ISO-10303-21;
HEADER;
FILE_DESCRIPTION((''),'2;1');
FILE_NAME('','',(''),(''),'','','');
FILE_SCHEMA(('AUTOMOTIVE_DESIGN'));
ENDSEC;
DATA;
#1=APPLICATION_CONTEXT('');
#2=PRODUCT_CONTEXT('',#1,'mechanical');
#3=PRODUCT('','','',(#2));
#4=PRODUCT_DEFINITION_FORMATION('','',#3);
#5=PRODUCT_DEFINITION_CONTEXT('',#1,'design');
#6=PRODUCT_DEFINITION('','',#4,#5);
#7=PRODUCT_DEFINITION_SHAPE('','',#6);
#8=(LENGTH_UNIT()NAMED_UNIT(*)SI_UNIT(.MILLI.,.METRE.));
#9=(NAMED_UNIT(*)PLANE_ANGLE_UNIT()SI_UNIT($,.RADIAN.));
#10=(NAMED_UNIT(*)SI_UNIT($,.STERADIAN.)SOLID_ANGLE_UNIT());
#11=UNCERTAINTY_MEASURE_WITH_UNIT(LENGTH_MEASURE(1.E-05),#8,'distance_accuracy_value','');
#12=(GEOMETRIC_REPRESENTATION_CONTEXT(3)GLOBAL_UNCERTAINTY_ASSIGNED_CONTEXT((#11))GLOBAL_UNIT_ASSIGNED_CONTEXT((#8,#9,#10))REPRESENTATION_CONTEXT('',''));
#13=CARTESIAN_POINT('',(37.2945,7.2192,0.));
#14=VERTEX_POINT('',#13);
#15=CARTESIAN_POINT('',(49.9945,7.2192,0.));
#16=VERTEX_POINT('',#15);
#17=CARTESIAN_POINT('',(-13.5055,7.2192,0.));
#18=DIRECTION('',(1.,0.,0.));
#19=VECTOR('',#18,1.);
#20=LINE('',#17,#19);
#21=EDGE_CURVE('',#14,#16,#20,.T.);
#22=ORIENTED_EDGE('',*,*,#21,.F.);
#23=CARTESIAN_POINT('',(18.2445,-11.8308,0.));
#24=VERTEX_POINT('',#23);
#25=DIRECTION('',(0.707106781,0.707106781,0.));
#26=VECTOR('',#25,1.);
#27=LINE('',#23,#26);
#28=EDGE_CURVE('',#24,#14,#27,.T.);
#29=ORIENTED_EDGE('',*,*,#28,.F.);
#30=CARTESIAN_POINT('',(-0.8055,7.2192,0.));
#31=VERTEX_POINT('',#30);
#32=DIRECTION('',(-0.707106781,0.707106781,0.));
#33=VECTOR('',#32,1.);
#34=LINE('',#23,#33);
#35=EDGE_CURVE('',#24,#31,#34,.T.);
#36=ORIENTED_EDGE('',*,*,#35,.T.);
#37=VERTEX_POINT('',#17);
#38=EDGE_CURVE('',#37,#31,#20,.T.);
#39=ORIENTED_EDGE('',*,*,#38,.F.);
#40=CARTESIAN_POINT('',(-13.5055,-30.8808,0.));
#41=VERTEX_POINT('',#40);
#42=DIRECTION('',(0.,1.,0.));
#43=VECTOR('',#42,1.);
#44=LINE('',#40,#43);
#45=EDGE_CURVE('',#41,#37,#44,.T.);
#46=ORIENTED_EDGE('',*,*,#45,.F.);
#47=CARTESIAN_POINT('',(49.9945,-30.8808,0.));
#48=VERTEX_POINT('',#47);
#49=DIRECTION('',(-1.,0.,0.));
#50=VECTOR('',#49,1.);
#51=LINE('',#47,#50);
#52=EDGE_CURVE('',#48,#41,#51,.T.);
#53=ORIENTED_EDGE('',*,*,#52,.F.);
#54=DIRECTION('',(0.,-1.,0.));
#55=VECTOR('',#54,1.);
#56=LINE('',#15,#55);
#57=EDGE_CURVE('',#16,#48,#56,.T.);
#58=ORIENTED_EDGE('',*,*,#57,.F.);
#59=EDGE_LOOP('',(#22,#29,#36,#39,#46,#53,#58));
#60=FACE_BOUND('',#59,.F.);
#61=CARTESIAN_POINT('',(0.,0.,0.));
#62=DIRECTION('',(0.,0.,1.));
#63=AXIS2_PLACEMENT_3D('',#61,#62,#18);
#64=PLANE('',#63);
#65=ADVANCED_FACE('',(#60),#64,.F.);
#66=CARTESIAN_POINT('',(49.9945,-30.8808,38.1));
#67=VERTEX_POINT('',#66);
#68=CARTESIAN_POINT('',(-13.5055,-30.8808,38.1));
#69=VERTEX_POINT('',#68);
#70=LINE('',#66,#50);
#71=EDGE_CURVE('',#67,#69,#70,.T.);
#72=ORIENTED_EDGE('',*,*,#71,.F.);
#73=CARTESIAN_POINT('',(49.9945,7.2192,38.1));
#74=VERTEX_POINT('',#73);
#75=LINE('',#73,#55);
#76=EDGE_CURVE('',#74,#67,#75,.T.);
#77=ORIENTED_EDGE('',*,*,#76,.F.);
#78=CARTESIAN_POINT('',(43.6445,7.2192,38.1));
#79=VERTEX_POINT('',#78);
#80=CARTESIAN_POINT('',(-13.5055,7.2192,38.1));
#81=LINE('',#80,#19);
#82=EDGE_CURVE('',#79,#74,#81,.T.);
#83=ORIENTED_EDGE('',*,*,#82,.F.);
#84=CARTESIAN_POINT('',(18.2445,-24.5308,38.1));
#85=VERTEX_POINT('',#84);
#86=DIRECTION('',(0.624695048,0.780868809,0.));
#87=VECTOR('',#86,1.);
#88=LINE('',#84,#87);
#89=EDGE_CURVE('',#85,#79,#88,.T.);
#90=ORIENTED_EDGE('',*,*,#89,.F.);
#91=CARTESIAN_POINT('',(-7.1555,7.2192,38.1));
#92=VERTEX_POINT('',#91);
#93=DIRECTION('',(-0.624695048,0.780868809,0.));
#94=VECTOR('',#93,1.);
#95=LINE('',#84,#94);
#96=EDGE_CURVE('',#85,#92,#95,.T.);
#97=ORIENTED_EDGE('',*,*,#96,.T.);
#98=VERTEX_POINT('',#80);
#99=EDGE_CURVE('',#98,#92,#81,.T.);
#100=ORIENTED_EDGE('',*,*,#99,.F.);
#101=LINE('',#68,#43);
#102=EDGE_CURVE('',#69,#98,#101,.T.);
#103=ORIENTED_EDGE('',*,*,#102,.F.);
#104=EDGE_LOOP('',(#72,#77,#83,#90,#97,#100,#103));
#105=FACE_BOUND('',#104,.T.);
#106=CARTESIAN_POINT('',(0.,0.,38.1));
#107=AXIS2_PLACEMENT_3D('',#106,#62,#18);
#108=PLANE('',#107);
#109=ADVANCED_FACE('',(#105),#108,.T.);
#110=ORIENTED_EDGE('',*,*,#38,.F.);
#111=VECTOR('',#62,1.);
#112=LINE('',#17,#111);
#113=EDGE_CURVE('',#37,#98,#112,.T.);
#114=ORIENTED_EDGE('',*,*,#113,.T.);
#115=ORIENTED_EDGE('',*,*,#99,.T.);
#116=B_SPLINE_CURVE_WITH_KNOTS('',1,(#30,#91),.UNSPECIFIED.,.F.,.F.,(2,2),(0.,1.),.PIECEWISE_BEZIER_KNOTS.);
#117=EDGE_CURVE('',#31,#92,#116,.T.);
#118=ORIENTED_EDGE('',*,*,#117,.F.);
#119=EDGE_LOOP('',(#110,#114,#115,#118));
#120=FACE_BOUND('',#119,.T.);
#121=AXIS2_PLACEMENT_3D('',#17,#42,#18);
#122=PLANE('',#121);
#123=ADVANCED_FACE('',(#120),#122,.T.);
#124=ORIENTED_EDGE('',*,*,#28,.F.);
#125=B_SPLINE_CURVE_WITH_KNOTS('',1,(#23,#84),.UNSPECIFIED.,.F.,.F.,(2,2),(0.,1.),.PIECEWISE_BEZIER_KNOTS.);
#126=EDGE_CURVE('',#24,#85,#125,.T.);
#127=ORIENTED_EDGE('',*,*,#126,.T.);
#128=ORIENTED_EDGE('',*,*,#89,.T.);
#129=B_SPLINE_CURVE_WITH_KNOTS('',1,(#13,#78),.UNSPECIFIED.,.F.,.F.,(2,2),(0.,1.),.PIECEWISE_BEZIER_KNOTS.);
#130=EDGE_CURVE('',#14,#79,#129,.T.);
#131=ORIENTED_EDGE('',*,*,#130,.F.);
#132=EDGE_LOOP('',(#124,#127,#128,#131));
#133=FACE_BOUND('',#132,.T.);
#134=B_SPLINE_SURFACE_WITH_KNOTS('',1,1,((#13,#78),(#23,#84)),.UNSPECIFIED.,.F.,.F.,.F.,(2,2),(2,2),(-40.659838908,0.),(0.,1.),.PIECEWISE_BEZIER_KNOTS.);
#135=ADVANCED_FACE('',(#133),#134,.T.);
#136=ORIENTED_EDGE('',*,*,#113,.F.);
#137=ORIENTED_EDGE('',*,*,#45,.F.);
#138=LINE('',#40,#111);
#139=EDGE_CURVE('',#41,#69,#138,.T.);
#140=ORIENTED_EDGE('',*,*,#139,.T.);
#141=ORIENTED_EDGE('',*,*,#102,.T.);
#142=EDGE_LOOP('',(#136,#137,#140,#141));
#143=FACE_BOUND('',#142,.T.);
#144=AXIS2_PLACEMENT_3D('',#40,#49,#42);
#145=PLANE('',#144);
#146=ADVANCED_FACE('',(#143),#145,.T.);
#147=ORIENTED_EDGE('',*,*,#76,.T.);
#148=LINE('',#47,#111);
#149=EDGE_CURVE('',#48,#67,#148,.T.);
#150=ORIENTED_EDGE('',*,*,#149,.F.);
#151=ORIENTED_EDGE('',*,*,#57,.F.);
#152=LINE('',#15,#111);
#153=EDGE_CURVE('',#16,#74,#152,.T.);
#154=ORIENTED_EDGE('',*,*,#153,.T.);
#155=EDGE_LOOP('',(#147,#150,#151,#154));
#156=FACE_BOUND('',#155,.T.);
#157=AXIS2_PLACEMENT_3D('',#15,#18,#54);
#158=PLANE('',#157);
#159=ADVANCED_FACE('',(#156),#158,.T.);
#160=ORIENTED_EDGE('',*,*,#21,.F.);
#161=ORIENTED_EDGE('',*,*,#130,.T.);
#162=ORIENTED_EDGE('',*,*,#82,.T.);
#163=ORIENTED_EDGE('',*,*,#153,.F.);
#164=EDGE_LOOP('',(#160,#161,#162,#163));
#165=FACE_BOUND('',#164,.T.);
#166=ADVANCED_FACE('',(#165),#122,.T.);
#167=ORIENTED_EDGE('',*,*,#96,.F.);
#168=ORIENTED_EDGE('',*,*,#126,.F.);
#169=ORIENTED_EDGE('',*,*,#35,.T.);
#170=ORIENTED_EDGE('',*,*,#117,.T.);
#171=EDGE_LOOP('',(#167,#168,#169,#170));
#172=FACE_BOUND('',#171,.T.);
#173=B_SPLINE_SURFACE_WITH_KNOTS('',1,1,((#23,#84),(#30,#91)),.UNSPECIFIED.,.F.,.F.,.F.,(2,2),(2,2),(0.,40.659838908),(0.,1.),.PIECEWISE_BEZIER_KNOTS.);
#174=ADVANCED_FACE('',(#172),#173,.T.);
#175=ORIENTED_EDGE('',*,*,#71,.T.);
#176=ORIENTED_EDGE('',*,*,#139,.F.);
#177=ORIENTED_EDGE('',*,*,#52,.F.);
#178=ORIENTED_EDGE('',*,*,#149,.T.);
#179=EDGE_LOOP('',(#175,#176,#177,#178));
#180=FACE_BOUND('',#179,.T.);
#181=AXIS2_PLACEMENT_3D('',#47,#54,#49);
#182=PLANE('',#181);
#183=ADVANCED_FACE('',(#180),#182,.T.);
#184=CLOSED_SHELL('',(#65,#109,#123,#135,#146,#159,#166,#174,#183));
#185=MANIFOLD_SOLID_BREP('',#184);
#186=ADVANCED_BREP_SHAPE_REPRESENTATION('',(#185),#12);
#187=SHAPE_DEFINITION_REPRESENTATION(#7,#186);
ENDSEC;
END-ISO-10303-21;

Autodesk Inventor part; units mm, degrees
ref_plane "YZ Plane" through (0, 0, 0) normal (1, 0, 0) x (0, 1, 0)
ref_plane "XZ Plane" through (0, 0, 0) normal (0, 1, 0) x (-1, 0, 0)
ref_plane "XY Plane" through (0, 0, 0) normal (0, 0, 1) x (1, 0, 0)
sketch "Sketch1" plane through (0, 0, 0) normal (0, 0, 1) x (1, 0, 0)
  line L0 (-13.5055, 7.2192) -> (49.9945, 7.2192)
  line L1 (49.9945, 7.2192) -> (49.9945, -30.8808)
  line L2 (49.9945, -30.8808) -> (-13.5055, -30.8808)
  line L3 (-13.5055, -30.8808) -> (-13.5055, 7.2192)
  point P0 (0, 0)
  dimension "d0" = 63.5
  dimension "d1" = 38.1
extrude "Extrusion1" add sketch "Sketch1" along normal blind 38.1
sketch "Sketch2" plane through (0, 0, 38.1) normal (0, 0, 1) x (1, 0, 0)
  line L0 (18.2445, -24.5308) -> (43.6445, 7.2192)
  line L1 (49.9945, 7.2192) -> (-13.5055, 7.2192) projected
  line L2 (18.2445, -24.5308) -> (-7.1555, 7.2192)
  line L3 (-13.5055, -30.8808) -> (49.9945, -30.8808) projected
  point P0 (0, 0)
  dimension "d4" = 6.35
  dimension "d5" = 6.35
  dimension "d6" = 6.35
sketch "Sketch4" plane through (0, 0, 0) normal (0, 0, -1) x (-1, 0, 0)
  line L0 (-18.2445, -11.8308) -> (-37.2945, 7.2192)
  line L1 (-49.9945, 7.2192) -> (13.5055, 7.2192) projected
  line L2 (-18.2445, -11.8308) -> (0.8055, 7.2192)
  line L3 (-49.9945, -30.8808) -> (13.5055, -30.8808) projected
  point P0 (0, 0)
  dimension "d8" = 19.05
  dimension "d9" = 12.7
  dimension "d10" = 12.7
loft "Loft1" cut profiles "Sketch4", "Sketch2"
properties part number "AW5.5bloft"
